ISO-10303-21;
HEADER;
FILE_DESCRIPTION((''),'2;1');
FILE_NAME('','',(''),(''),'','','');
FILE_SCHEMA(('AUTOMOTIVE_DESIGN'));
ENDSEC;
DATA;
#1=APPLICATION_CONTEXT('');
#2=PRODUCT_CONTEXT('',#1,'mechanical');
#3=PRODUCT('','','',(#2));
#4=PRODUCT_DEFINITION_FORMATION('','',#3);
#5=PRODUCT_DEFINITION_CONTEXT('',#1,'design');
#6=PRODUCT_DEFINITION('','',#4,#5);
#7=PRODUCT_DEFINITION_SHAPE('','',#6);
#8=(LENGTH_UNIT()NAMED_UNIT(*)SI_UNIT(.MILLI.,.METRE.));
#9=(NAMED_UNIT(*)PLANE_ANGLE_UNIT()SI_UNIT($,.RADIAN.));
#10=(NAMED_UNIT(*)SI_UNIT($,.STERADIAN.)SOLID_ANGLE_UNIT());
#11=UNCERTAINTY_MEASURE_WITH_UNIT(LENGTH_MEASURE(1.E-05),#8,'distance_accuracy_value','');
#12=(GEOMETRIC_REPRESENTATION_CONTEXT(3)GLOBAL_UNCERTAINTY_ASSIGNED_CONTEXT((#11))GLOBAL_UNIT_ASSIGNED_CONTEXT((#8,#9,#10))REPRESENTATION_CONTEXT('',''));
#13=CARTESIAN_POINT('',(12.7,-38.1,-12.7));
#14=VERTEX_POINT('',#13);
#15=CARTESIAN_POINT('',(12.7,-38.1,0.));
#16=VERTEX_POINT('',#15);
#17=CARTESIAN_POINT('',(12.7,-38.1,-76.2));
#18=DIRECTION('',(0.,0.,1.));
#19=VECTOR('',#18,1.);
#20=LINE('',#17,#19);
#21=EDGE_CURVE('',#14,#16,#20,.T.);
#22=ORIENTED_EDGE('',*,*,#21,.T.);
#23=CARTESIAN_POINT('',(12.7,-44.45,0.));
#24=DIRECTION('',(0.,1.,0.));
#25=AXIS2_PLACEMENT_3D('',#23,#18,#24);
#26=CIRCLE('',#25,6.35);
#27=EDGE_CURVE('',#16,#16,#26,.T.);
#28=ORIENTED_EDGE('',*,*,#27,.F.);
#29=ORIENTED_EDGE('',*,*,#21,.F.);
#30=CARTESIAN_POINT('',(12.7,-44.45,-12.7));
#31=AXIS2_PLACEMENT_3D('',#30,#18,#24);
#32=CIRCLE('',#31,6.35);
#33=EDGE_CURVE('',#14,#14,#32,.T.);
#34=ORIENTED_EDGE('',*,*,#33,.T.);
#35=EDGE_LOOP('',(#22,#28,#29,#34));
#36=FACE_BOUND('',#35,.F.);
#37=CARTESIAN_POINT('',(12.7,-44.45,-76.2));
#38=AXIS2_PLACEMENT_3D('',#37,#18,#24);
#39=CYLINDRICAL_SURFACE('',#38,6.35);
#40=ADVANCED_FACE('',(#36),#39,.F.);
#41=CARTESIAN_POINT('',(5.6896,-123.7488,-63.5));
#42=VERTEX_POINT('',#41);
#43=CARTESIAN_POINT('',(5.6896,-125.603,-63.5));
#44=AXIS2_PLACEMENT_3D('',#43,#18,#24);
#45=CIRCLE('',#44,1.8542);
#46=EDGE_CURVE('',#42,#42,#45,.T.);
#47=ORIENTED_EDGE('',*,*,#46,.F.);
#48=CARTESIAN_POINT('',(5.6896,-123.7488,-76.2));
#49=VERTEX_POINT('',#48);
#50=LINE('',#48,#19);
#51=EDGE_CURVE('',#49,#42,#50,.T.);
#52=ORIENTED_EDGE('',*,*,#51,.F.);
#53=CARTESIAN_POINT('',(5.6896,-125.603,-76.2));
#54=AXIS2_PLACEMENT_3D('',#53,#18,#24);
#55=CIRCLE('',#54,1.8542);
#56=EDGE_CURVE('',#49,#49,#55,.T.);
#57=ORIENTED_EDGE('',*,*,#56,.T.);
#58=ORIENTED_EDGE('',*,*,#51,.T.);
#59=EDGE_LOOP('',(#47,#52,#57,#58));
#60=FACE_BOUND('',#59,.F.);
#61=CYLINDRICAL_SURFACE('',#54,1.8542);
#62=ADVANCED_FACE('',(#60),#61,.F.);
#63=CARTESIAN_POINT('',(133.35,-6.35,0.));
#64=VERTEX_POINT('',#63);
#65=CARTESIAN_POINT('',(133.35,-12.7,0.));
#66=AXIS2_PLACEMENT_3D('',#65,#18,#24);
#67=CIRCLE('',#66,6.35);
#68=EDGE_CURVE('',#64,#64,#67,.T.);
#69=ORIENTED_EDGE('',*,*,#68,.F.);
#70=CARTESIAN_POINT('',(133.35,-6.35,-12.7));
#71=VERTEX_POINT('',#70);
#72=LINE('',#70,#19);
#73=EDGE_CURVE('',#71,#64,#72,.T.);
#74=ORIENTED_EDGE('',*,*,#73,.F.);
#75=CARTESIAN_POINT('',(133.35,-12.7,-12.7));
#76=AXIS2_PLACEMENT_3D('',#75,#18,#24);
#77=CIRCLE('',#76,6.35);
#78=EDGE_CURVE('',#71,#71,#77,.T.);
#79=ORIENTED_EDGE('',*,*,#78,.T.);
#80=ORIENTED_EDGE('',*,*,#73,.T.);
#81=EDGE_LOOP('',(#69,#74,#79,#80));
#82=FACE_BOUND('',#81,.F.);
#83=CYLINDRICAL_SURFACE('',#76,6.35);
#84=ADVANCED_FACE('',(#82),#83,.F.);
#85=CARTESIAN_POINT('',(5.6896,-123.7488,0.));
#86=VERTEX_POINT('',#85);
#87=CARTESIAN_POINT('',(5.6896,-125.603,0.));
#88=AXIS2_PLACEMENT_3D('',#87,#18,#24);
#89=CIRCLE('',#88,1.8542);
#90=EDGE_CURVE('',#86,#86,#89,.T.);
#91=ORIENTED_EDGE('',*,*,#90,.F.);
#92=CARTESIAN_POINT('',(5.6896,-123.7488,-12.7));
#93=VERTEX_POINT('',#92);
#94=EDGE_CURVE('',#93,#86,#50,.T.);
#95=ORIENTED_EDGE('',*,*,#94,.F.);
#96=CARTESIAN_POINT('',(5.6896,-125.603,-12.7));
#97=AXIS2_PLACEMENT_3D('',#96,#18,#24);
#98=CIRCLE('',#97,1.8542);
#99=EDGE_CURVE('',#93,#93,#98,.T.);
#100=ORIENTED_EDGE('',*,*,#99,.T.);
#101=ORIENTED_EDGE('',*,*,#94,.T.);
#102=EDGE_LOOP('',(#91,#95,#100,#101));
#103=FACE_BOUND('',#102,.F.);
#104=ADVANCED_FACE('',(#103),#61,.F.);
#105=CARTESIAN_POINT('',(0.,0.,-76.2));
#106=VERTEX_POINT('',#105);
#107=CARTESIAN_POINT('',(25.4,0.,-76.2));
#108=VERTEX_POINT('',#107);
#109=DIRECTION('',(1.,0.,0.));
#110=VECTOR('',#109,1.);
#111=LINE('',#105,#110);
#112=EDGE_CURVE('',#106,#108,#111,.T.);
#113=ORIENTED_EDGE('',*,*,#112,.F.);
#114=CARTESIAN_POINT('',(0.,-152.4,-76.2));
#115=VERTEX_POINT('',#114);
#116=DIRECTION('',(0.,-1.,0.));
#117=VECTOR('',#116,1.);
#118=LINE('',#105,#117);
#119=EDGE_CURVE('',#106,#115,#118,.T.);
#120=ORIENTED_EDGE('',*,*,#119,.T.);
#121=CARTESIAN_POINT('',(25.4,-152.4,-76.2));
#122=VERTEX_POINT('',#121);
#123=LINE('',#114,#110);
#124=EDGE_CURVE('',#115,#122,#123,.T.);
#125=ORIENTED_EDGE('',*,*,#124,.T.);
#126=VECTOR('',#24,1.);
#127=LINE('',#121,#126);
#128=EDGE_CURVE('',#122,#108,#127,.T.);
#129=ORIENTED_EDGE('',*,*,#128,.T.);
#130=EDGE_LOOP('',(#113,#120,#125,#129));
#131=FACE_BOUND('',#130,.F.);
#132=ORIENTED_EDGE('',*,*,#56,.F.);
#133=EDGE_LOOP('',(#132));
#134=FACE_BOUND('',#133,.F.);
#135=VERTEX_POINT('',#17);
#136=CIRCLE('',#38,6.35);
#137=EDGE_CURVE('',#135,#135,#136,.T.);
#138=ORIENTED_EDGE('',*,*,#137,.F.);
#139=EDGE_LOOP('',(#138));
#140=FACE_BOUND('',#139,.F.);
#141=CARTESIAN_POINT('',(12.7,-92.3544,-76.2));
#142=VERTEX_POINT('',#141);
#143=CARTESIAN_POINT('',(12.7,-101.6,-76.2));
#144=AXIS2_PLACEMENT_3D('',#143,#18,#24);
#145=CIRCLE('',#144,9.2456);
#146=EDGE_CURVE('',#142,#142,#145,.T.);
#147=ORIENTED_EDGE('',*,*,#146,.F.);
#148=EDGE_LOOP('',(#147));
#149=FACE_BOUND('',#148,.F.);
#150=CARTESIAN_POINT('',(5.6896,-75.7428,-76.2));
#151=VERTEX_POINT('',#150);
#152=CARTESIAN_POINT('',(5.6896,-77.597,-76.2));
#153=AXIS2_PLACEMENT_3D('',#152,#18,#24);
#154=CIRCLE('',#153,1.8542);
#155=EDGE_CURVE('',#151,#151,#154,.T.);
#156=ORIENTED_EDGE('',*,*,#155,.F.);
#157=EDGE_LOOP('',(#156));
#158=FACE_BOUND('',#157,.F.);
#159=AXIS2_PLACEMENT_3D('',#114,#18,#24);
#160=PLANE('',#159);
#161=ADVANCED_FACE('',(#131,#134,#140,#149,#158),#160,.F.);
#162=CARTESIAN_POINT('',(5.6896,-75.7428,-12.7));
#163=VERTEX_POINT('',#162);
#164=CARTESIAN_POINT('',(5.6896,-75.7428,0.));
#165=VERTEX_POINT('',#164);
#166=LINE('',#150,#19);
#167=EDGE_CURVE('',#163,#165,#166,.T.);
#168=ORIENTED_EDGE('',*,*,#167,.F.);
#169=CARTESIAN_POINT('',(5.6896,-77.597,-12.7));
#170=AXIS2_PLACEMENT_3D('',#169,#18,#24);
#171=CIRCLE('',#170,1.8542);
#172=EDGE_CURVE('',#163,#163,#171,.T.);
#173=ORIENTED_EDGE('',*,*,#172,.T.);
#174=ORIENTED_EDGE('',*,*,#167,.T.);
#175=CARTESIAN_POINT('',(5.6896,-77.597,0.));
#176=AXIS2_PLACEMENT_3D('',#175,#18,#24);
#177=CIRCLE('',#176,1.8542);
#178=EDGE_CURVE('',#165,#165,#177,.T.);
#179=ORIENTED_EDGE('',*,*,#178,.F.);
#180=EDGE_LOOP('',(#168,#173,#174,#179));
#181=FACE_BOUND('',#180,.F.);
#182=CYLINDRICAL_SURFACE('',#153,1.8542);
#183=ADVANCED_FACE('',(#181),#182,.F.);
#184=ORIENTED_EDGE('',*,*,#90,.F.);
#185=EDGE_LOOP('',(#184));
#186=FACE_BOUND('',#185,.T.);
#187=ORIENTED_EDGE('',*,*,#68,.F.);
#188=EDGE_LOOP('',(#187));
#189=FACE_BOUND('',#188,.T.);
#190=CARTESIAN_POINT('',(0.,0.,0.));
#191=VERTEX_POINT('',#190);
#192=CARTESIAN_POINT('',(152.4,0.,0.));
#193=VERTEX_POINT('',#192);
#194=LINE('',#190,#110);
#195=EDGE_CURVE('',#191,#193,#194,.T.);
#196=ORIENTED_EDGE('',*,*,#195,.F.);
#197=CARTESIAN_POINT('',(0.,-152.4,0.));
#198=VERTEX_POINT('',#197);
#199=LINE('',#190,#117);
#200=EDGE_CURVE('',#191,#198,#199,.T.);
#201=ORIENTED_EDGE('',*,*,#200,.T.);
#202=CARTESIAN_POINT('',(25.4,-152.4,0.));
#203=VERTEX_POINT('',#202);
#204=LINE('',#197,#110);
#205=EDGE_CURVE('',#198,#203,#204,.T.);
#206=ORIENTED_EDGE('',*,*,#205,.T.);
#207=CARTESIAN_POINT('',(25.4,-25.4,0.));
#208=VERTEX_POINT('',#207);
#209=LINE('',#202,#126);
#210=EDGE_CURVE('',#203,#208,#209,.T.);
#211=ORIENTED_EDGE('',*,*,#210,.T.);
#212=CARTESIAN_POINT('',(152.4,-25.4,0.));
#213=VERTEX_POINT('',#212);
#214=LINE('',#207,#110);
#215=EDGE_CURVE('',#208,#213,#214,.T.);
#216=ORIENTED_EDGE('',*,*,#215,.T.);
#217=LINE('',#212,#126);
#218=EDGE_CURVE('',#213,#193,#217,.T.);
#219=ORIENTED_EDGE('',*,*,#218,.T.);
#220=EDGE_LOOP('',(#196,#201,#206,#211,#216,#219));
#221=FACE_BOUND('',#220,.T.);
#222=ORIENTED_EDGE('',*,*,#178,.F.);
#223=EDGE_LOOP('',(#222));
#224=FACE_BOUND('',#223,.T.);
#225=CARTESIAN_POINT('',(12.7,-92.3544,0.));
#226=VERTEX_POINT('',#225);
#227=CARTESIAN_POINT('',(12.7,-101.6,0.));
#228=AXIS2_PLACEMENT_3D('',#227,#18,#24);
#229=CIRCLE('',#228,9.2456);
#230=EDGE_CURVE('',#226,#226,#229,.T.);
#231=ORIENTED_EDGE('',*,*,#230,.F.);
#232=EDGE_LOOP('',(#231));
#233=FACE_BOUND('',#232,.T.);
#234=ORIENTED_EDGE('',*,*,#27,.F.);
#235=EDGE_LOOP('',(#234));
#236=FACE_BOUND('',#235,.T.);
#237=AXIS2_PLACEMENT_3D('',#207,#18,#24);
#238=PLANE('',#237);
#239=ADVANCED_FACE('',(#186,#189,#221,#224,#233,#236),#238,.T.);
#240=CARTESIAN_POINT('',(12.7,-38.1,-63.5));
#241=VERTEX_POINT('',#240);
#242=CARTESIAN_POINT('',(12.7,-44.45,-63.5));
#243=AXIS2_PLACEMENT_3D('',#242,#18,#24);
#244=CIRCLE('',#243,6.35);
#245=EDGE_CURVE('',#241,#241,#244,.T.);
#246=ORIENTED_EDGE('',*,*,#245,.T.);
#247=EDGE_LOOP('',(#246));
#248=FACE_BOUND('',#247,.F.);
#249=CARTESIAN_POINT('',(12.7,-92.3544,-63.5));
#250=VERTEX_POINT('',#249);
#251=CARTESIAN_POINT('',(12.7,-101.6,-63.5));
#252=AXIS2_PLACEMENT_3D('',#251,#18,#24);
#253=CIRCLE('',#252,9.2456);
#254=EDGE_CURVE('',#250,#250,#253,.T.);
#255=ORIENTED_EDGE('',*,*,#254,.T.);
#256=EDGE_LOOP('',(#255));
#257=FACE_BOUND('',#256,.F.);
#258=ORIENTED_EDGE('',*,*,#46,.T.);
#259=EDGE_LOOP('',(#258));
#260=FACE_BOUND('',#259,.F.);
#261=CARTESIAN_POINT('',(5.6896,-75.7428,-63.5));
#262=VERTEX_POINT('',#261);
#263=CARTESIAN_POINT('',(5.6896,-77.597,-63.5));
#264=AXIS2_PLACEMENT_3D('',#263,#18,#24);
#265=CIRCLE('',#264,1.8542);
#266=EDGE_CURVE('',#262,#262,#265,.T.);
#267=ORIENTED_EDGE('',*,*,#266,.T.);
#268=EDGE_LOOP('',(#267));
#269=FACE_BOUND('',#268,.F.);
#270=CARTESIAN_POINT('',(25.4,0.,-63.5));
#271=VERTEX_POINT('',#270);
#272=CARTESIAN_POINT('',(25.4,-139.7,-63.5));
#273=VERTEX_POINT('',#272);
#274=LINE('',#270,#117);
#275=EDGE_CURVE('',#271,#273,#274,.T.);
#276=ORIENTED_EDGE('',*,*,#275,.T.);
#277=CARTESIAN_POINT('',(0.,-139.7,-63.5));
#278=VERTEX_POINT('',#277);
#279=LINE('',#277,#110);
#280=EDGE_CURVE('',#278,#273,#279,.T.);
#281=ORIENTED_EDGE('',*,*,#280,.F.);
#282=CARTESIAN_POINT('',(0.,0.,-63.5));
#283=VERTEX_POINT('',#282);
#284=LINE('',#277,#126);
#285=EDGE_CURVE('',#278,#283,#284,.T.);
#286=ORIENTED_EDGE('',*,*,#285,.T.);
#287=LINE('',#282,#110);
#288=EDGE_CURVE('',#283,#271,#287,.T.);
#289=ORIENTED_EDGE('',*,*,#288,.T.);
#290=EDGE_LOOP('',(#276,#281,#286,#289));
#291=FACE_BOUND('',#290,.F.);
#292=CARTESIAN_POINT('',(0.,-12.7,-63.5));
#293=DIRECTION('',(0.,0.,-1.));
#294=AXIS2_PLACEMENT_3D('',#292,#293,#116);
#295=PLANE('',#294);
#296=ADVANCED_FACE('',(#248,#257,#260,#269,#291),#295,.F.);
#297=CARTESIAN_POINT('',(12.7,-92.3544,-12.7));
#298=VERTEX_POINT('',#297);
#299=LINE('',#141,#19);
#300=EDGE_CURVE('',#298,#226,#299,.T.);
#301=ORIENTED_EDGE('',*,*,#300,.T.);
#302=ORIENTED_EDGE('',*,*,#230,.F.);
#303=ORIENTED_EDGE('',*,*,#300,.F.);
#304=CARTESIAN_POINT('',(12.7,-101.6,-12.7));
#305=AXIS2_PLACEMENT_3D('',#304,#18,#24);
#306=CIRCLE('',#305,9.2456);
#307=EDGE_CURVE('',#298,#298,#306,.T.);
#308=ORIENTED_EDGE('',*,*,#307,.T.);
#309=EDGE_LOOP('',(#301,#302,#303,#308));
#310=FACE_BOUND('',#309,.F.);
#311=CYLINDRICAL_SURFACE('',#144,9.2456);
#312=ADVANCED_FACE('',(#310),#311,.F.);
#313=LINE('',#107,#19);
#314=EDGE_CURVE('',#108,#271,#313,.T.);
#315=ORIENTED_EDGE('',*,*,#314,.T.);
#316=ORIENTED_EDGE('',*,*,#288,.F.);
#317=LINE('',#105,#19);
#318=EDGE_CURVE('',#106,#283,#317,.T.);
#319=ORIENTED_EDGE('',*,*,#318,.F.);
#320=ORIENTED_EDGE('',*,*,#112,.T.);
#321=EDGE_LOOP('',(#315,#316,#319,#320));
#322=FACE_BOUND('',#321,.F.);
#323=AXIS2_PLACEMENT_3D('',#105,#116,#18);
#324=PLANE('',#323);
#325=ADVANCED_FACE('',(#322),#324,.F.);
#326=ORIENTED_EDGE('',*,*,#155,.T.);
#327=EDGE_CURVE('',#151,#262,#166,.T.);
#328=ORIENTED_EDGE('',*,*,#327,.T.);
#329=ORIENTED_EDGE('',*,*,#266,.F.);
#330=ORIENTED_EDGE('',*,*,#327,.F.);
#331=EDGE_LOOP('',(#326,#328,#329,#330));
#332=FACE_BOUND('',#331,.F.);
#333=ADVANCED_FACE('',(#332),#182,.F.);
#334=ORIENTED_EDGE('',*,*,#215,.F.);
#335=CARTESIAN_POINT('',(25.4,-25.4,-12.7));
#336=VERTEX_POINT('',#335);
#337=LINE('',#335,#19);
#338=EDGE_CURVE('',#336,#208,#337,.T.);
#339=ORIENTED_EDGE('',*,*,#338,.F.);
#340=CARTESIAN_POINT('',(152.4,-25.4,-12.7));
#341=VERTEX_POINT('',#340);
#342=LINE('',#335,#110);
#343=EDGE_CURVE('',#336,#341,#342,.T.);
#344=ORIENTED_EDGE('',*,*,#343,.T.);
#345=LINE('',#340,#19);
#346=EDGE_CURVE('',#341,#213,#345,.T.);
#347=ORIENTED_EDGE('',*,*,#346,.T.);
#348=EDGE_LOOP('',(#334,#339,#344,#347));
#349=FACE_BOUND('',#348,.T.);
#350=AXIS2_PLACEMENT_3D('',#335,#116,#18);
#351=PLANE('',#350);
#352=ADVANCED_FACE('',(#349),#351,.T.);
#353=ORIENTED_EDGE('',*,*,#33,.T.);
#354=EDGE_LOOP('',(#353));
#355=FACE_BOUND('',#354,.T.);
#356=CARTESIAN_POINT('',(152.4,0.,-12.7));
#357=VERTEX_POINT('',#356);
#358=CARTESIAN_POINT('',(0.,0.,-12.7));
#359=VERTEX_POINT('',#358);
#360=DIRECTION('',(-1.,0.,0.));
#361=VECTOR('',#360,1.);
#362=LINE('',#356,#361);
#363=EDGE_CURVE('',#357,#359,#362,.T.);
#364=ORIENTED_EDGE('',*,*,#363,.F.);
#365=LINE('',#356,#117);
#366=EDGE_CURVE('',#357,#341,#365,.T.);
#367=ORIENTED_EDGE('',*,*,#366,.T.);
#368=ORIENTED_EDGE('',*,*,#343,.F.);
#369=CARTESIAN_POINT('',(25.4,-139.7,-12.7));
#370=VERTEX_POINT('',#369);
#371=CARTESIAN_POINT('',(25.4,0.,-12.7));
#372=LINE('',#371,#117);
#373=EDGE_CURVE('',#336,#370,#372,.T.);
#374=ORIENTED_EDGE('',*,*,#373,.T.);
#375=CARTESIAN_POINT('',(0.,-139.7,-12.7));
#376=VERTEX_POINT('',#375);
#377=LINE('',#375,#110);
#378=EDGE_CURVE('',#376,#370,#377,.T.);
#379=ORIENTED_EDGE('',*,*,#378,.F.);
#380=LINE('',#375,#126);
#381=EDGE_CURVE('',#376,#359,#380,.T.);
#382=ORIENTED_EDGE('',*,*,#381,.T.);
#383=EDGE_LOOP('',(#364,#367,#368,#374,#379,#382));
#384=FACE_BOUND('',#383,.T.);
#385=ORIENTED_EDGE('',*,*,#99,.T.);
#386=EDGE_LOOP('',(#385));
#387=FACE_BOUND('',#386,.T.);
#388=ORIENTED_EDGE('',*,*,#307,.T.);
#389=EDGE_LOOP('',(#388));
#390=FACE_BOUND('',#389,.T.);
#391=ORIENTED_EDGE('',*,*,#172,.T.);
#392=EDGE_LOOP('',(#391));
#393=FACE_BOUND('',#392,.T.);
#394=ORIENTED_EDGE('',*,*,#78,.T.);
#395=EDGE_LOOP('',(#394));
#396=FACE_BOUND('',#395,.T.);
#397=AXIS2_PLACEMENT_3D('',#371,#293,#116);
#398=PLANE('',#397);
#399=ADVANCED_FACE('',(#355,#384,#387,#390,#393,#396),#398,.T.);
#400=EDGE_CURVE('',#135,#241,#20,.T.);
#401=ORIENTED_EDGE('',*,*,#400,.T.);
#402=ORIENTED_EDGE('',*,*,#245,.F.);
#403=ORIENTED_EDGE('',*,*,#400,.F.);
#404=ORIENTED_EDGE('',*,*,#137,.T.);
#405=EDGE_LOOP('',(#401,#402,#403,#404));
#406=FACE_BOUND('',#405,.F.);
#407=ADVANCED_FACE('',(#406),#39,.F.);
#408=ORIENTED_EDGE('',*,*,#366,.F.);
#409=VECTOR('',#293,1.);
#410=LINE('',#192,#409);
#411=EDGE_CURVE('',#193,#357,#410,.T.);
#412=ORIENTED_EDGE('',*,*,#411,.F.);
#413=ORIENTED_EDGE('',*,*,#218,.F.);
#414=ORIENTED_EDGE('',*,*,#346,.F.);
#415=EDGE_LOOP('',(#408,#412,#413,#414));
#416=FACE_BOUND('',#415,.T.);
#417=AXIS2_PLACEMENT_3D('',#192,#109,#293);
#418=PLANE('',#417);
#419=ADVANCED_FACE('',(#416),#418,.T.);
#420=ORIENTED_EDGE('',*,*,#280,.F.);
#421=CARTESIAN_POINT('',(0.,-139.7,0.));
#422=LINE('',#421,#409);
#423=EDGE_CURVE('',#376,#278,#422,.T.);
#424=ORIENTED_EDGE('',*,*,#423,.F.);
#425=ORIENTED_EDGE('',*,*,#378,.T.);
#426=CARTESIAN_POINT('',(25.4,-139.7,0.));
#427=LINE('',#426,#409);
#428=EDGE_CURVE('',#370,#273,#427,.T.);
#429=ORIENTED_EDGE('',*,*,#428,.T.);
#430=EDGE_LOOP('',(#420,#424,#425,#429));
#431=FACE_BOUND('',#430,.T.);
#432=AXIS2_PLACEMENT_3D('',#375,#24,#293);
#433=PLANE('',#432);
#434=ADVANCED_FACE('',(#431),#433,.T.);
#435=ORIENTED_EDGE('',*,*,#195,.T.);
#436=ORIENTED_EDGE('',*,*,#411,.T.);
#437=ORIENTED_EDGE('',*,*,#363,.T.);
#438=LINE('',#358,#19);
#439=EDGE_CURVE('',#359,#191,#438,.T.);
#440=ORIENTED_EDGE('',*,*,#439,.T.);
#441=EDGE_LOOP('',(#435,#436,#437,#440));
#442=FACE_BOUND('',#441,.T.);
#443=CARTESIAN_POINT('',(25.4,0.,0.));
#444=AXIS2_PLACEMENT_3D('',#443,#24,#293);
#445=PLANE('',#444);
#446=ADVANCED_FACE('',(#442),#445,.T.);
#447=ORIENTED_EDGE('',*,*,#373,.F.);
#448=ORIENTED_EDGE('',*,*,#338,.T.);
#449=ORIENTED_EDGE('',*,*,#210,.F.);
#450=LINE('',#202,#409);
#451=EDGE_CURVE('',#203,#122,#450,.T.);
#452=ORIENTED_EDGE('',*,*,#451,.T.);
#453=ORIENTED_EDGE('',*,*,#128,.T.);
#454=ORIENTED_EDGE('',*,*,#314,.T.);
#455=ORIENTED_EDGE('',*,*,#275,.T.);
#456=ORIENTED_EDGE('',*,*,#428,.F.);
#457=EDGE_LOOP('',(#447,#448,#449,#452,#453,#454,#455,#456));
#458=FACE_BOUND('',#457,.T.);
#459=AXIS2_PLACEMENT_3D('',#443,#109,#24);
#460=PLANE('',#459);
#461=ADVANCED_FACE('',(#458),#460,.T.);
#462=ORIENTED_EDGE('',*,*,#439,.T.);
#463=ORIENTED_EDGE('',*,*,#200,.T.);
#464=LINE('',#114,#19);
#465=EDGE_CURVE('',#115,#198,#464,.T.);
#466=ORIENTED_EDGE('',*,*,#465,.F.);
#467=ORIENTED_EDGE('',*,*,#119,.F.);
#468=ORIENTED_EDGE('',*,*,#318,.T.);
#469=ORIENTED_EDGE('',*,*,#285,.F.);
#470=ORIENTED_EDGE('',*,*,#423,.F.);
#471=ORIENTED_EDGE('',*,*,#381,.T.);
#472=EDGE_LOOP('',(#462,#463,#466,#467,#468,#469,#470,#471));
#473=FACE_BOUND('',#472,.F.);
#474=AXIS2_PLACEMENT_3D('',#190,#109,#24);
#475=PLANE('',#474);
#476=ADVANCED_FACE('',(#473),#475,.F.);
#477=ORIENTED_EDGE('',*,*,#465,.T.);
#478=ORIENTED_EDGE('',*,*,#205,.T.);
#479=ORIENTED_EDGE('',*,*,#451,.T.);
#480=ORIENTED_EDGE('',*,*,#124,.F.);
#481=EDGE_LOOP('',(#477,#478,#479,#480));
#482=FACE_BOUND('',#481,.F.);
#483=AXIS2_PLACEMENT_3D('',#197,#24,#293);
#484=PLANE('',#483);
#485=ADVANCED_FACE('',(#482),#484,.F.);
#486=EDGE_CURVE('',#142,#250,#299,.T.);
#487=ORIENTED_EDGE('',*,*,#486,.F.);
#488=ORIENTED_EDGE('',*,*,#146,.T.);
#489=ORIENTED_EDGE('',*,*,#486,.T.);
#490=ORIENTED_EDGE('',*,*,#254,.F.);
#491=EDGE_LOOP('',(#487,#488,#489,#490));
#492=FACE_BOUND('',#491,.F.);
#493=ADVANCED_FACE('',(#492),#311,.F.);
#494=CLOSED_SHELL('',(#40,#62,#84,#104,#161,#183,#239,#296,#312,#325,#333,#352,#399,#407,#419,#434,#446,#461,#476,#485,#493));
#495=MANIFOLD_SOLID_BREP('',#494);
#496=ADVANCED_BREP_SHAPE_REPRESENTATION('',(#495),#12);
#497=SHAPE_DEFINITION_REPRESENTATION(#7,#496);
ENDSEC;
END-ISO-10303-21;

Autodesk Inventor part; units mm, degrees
ref_plane "YZ Plane" through (0, 0, 0) normal (1, 0, 0) x (0, 1, 0)
ref_plane "XZ Plane" through (0, 0, 0) normal (0, 1, 0) x (-1, 0, 0)
ref_plane "XY Plane" through (0, 0, 0) normal (0, 0, 1) x (1, 0, 0)
sketch "Sketch1" plane through (0, 0, 0) normal (1, 0, 0) x (0, 1, 0)
  line L0 (0, 0) -> (-152.4, 0)
  line L1 (-152.4, 0) -> (-152.4, -12.7)
  line L2 (-152.4, -12.7) -> (0, -12.7)
  line L3 (0, -12.7) -> (0, 0)
  line L4 (0, -12.7) -> (-12.7, -12.7)
  line L5 (-12.7, -63.5) -> (0, -63.5)
  line L6 (0, -63.5) -> (-152.4, -63.5)
  line L7 (-152.4, -63.5) -> (-152.4, -76.2)
  line L8 (-152.4, -76.2) -> (0, -76.2)
  line L9 (0, -76.2) -> (0, -63.5)
  line L10 (-152.4, 0) -> (-139.7, 0)
  line L11 (-139.7, 0) -> (-139.7, -76.2)
  line L12 (-139.7, -76.2) -> (-152.4, -76.2)
  line L13 (-152.4, -76.2) -> (-152.4, 0)
  dimension "d1" = 12.7
  dimension "d4" = 12.7
  dimension "d63" = 12.7
  dimension "d64" = 152.4
  dimension "d65" = 152.4
  dimension "d66" = 50.8
extrude "Extrusion1" add sketch "Sketch1" along normal blind 25.4
sketch "Sketch2" plane through (0, -152.4, -76.2) normal (0, 0, -1) x (-1, 0, 0)
  line L0 (0, 152.4) -> (-25.4, 152.4) projected
  line L1 (-25.4, 0) -> (-25.4, 152.4) projected
  point P0 (-12.7, 107.95)
  dimension "d8" = 44.45
  dimension "d9" = 25.4
  dimension "d10" = 12.7
hole "Hole1" at (12.7, -44.45, -76.2) direction (0, 0, 1) diameter 12.7 end through all
sketch "Sketch3" plane through (0, -152.4, -76.2) normal (0, 0, -1) x (-1, 0, 0)
  circle A0 centre (-12.7, 107.95) radius 6.35 projected
  line L0 (0, 0) -> (0, 152.4) projected
  line L1 (0, 152.4) -> (-25.4, 152.4) projected
  line L2 (-25.4, 0) -> (-25.4, 152.4) projected
  line L3 (0, 0) -> (-25.4, 0) projected
  point P0 (-12.7, 50.8)
  dimension "d18" = 25.4
  dimension "d19" = 12.7
  dimension "d20" = 50.8
hole "Hole2" at (12.7, -101.6, -76.2) direction (0, 0, 1) diameter 18.4912 end through all
sketch "Sketch4" plane through (0, -152.4, -76.2) normal (0, 0, -1) x (-1, 0, 0)
  circle A0 centre (-12.7, 50.8) radius 9.2456 projected
  circle A1 centre (-12.7, 107.95) radius 6.35 projected
  line L0 (0, 0) -> (0, 152.4) projected
  line L1 (0, 152.4) -> (-25.4, 152.4) projected
  line L2 (-25.4, 0) -> (-25.4, 152.4) projected
  line L3 (0, 0) -> (-25.4, 0) projected
  point P0 (-5.6896, 26.797)
  point P1 (-5.6896, 74.803)
  dimension "d28" = 48.006
  dimension "d29" = 7.0104
  dimension "d30" = 7.0104
  dimension "d31" = 24.003
hole "Hole3" at (5.6896, -125.603, -76.2) at (5.6896, -77.597, -76.2) direction (0, 0, 1) diameter 3.7084 end through all
sketch "Sketch5" plane through (25.4, 0, 0) normal (1, 0, 0) x (0, 0, -1)
  line L0 (0, 0) -> (12.7, 0)
  line L1 (12.7, 0) -> (12.7, -25.4)
  line L2 (12.7, -25.4) -> (0, -25.4)
  line L3 (0, -25.4) -> (0, 0)
  line L4 (0, 0) -> (0, -152.4) projected
  line L5 (12.7, 0) -> (0, 0) projected
  dimension "d39" = 12.7
  dimension "d67" = 25.4
  dimension "d68" = 0
  dimension "d69" = 0
extrude "Extrusion2" add sketch "Sketch5" along normal blind 127
sketch "Sketch8" plane through (0, -139.7, -12.7) normal (0, 0, -1) x (-1, 0, 0)
  line L0 (-152.4, 114.3) -> (-152.4, 139.7) projected
  line L1 (0, 139.7) -> (-152.4, 139.7) projected
  point P0 (-133.35, 127)
  dimension "d70" = 19.05
  dimension "d71" = 25.4
  dimension "d72" = 12.7
hole "Hole6" at (133.35, -12.7, -12.7) direction (0, 0, 1) diameter 12.7 end through all
equation "\"d4\" = d1"
equation "\"d65\" = d64"
equation "\"d10\" = 0.5 * d9"
equation "\"d19\" = 0.5 * d18"
equation "\"d30\" = d29"
equation "\"d31\" = 0.5 * d28"
equation "\"d72\" = 0.5 * d71"
properties part number "shooter" material "Aluminum 6061"
